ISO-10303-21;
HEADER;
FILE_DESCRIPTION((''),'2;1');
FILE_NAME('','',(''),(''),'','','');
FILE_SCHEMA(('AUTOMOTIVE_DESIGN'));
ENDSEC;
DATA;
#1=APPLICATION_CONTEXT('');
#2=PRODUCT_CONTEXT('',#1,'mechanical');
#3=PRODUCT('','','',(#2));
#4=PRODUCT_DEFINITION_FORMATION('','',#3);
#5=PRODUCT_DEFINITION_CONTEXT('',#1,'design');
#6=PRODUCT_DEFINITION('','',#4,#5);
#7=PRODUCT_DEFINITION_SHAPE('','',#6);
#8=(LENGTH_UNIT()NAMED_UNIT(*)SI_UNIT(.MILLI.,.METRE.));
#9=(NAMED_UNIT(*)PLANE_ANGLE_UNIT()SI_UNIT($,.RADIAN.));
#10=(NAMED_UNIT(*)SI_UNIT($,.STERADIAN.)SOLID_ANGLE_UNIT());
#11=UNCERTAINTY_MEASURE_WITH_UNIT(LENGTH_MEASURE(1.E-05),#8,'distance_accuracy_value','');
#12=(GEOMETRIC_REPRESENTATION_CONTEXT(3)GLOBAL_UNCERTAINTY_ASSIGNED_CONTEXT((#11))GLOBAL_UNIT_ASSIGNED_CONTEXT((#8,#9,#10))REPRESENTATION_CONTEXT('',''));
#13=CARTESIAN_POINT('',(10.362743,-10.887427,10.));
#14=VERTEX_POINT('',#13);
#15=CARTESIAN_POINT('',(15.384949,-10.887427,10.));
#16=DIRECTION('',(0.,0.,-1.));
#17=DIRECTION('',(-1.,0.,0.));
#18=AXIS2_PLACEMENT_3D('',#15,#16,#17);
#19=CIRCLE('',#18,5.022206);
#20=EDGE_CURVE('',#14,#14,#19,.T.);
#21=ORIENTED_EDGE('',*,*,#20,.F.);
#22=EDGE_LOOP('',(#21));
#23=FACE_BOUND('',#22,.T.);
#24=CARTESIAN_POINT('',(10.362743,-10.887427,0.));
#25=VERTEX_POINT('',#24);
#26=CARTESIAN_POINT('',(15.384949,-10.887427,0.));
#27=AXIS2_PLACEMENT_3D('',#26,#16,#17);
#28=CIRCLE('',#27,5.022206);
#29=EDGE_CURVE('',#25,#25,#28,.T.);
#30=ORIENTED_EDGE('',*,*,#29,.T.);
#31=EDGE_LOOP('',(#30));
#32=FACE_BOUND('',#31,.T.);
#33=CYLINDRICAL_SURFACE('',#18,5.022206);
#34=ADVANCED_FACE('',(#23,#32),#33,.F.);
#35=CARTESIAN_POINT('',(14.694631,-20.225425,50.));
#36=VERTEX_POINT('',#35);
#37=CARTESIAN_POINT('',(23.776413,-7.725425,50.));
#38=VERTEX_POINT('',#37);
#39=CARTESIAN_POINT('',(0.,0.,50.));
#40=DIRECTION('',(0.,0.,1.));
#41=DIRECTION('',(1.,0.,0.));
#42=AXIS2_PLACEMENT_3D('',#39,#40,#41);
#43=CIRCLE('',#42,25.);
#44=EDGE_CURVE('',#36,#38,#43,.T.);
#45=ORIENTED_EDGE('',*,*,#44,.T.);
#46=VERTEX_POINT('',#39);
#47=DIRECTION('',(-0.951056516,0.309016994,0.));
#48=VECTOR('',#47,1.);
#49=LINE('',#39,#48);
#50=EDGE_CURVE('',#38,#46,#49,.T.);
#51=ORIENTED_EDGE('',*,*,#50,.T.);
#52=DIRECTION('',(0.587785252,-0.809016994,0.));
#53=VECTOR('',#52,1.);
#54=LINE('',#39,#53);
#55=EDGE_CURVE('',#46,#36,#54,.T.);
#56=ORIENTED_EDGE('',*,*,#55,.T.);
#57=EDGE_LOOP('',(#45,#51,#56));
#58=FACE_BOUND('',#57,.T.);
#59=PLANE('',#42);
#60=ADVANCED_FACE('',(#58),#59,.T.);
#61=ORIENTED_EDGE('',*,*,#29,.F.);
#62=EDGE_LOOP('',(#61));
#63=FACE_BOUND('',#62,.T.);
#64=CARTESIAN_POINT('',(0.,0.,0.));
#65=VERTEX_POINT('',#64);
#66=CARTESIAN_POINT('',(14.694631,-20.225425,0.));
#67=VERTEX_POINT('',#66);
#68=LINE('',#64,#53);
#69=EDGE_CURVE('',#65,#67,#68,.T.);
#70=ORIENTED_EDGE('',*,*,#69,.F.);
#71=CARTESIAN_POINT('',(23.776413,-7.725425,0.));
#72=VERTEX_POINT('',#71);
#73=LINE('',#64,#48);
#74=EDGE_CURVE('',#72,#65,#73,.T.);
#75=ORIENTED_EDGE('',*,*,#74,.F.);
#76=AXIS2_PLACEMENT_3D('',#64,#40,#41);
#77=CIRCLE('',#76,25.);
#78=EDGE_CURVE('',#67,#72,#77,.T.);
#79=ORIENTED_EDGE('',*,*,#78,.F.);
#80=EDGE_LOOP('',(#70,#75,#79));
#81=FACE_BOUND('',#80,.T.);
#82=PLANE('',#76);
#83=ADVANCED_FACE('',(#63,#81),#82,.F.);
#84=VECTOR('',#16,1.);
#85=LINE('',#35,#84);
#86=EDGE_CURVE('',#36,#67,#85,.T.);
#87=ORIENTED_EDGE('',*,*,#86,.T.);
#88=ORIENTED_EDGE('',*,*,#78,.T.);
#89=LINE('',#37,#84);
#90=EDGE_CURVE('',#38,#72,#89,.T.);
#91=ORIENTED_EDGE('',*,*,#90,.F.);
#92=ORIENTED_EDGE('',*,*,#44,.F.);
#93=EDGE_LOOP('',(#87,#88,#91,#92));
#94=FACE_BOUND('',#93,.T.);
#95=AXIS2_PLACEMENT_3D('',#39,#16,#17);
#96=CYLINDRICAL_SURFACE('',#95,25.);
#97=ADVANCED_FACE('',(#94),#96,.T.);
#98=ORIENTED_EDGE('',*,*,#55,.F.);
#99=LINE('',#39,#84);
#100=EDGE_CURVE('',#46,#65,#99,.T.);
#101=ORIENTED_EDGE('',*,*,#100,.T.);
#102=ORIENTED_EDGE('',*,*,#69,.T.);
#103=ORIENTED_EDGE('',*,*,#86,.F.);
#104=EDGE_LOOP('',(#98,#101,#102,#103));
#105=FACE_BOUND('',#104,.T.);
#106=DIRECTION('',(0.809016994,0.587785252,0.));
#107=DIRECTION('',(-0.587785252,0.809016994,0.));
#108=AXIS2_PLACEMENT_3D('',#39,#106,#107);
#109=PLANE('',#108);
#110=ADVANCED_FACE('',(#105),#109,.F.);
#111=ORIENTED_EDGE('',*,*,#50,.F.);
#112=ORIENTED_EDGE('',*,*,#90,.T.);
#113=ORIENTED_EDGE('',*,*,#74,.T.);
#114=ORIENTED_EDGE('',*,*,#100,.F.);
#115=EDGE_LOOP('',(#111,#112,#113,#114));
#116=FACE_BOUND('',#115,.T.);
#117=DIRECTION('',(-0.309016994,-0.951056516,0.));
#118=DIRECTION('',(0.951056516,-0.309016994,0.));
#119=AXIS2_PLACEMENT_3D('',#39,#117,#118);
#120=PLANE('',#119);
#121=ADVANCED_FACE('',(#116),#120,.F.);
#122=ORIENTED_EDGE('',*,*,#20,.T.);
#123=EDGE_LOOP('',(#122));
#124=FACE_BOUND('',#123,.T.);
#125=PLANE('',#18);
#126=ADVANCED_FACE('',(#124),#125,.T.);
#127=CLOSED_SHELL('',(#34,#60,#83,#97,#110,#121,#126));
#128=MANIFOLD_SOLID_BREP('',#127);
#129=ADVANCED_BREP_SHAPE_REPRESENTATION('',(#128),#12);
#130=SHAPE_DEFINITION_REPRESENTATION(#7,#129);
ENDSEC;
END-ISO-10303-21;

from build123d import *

# Parameters (mm, degrees)
SALIENTE_EXTRUIR1_DEPTH = 50
CROQUIS2_R              = 5.022205939
CORTAR_EXTRUIR1_DEPTH   = 10


with BuildPart() as part:
    # Croquis1 → Saliente-Extruir1 (new body)
    with BuildSketch(Plane.XY):
        with BuildLine():
            Line((0, 0), (14.694631307, -20.225424859))
            ThreePointArc((14.694631307, -20.225424859), (20.225424859, -14.694631307), (23.776412907, -7.725424859))
            Line((23.776412907, -7.725424859), (0, 0))
        make_face()
    extrude(amount=SALIENTE_EXTRUIR1_DEPTH)

    # Croquis2 → Cortar-Extruir1 (cut)
    with BuildSketch(Plane(origin=(0, 0, 0), x_dir=(-1, 0, 0), z_dir=(0, 0, -1))):
        with Locations((-15.384948943, -10.887427122)):
            Circle(CROQUIS2_R)
    extrude(amount=-CORTAR_EXTRUIR1_DEPTH, mode=Mode.SUBTRACT)


solid = part.part
